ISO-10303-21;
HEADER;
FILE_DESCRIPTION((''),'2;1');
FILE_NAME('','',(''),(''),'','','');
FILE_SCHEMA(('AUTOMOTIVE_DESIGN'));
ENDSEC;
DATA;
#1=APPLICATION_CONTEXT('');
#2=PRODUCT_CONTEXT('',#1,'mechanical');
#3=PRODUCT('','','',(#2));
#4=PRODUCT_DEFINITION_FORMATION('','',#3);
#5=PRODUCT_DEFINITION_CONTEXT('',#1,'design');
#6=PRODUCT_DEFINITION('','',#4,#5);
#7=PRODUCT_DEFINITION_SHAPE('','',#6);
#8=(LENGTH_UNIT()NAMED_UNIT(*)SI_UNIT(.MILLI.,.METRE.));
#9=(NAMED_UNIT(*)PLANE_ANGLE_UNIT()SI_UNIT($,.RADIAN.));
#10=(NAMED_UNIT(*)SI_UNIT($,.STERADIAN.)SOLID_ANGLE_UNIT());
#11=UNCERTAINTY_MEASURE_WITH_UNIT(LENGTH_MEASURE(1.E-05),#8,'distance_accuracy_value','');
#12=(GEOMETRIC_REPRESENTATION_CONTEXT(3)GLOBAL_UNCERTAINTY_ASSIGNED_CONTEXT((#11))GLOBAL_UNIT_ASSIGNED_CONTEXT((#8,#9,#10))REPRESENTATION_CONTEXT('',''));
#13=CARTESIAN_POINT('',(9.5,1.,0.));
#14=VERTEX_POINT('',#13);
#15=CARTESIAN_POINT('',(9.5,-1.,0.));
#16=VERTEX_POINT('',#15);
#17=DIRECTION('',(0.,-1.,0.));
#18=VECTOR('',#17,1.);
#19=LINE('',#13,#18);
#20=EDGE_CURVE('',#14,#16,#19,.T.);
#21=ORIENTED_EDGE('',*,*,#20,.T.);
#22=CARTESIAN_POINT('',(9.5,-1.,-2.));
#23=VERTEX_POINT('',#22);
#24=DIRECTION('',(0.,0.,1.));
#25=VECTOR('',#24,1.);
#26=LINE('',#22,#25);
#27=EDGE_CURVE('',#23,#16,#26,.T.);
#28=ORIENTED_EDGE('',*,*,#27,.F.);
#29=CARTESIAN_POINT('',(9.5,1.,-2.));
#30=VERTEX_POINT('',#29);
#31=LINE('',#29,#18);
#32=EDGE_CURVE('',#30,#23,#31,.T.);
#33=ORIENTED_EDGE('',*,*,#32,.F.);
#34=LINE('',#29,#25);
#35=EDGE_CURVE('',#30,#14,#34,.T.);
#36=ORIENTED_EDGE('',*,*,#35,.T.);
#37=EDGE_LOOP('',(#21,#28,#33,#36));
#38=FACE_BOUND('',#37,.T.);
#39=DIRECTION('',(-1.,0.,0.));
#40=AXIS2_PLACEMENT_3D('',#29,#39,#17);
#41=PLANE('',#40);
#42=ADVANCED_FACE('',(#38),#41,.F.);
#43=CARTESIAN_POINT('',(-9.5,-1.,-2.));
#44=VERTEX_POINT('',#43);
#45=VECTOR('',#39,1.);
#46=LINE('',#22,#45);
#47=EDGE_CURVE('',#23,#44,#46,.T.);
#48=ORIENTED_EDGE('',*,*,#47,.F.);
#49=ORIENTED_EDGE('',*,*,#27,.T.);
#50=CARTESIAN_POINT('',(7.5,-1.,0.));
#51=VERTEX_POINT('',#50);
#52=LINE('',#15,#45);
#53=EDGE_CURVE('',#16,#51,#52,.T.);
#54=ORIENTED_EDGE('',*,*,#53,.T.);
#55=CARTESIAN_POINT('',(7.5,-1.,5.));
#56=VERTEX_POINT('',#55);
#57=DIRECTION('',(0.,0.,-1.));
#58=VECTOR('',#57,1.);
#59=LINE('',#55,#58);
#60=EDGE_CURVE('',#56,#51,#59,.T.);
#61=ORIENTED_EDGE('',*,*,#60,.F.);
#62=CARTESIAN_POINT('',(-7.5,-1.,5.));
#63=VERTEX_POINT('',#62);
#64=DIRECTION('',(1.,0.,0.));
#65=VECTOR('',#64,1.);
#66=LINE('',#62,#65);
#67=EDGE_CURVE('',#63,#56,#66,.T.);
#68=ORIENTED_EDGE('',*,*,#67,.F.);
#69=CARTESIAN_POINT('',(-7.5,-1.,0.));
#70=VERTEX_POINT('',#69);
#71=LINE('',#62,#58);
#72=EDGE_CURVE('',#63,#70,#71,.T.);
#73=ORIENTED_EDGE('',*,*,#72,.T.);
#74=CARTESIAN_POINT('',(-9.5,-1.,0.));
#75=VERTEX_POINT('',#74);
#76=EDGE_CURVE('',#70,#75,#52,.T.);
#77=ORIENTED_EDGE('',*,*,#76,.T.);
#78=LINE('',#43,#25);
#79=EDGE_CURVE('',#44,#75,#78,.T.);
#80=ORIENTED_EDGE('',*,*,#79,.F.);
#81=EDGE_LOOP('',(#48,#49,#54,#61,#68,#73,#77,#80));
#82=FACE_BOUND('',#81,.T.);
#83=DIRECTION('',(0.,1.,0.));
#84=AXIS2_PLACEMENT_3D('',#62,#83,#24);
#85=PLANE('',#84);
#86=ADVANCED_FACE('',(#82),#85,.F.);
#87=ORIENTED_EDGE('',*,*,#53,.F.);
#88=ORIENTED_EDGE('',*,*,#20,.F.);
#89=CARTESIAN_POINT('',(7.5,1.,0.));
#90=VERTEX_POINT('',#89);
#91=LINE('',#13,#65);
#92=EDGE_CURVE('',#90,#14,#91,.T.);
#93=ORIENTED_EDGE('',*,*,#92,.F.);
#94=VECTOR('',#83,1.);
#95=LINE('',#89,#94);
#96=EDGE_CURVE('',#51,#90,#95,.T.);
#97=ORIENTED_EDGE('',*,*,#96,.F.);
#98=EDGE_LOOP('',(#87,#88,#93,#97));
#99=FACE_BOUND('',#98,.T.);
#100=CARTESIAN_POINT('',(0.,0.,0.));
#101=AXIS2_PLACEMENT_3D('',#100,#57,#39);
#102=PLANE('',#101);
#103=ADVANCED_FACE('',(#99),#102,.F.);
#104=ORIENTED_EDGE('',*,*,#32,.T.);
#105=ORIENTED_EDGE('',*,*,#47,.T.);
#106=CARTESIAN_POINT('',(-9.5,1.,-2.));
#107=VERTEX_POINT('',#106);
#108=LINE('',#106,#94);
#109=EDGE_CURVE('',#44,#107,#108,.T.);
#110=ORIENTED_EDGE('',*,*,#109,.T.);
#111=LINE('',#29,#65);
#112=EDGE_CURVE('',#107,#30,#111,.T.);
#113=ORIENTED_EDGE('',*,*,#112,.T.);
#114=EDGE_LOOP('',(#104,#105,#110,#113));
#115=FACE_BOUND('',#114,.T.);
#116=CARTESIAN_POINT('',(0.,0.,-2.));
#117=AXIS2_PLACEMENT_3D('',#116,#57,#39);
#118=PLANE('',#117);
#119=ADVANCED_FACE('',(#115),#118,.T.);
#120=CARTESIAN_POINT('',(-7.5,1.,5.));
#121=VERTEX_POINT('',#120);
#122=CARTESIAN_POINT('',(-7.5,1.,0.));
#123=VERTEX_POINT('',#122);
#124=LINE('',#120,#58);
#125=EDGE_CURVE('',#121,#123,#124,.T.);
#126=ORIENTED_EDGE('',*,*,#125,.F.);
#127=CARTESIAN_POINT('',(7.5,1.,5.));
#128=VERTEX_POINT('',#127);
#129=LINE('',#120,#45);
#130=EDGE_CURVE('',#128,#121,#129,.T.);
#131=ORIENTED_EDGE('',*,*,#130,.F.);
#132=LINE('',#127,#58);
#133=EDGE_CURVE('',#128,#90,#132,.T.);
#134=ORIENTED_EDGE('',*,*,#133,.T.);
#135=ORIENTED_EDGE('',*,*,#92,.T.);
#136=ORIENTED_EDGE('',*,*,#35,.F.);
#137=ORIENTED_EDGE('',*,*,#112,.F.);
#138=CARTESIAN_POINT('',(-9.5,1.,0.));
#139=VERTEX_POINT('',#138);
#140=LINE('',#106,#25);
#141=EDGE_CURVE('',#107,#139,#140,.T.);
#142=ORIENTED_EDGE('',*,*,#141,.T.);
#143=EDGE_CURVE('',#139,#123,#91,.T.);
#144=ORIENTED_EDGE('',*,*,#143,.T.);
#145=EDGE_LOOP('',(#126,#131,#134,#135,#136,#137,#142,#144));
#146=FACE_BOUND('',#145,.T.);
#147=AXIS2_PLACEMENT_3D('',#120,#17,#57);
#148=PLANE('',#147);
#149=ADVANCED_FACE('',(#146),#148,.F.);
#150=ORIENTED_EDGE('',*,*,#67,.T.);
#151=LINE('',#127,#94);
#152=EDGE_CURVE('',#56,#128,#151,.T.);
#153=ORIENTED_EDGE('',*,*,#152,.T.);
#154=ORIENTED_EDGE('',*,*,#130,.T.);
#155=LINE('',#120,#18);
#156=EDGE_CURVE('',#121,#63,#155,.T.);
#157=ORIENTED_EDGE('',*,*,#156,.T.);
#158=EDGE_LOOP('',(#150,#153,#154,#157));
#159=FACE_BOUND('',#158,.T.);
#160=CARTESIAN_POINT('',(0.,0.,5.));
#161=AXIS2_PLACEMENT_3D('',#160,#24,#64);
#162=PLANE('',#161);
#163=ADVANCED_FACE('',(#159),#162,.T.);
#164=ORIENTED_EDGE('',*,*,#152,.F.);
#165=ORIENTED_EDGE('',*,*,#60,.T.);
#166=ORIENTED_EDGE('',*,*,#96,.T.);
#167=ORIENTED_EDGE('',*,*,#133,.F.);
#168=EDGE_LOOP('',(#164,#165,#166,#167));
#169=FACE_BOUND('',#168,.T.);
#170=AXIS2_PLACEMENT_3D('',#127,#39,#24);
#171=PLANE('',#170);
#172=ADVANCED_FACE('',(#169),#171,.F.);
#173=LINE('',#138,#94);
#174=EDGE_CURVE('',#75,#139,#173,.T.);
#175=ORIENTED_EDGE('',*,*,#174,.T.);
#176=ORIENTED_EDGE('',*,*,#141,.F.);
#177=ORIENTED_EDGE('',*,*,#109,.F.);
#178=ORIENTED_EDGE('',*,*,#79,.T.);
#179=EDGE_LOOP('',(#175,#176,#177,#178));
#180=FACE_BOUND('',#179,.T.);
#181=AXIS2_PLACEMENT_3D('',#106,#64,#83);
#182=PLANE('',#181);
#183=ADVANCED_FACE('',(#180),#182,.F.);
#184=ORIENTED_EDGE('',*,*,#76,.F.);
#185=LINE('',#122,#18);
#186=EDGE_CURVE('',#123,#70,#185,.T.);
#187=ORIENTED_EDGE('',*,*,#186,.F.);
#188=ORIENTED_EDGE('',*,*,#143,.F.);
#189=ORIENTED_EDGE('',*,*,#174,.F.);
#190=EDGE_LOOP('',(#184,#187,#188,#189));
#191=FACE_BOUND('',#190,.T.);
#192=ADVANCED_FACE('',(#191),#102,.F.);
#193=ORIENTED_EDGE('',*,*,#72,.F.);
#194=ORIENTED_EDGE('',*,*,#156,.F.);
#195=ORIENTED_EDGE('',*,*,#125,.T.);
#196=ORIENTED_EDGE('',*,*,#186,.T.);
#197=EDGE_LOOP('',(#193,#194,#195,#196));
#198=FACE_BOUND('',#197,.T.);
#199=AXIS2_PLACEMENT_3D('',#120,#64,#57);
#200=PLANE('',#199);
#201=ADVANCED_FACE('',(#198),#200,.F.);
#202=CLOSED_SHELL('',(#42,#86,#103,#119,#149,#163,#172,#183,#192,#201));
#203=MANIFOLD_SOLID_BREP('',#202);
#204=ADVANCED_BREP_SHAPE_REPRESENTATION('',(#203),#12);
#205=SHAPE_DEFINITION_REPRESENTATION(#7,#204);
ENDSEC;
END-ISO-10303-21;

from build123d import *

# Parameters (mm, degrees)
SKETCH1_W           = 15
SKETCH1_H           = 2
BOSS_EXTRUDE1_DEPTH = 5
SKETCH2_W           = 19
SKETCH2_H           = 2
BOSS_EXTRUDE2_DEPTH = 2


with BuildPart() as part:
    # Sketch1 → Boss-Extrude1 (new body)
    with BuildSketch(Plane.XY):
        Rectangle(SKETCH1_W, SKETCH1_H)
    extrude(amount=BOSS_EXTRUDE1_DEPTH)

    # Sketch2 → Boss-Extrude2 (add)
    with BuildSketch(Plane(origin=(0, 0, 0), x_dir=(-1, 0, 0), z_dir=(0, 0, -1))):
        Rectangle(SKETCH2_W, SKETCH2_H)
    extrude(amount=BOSS_EXTRUDE2_DEPTH)


solid = part.part
